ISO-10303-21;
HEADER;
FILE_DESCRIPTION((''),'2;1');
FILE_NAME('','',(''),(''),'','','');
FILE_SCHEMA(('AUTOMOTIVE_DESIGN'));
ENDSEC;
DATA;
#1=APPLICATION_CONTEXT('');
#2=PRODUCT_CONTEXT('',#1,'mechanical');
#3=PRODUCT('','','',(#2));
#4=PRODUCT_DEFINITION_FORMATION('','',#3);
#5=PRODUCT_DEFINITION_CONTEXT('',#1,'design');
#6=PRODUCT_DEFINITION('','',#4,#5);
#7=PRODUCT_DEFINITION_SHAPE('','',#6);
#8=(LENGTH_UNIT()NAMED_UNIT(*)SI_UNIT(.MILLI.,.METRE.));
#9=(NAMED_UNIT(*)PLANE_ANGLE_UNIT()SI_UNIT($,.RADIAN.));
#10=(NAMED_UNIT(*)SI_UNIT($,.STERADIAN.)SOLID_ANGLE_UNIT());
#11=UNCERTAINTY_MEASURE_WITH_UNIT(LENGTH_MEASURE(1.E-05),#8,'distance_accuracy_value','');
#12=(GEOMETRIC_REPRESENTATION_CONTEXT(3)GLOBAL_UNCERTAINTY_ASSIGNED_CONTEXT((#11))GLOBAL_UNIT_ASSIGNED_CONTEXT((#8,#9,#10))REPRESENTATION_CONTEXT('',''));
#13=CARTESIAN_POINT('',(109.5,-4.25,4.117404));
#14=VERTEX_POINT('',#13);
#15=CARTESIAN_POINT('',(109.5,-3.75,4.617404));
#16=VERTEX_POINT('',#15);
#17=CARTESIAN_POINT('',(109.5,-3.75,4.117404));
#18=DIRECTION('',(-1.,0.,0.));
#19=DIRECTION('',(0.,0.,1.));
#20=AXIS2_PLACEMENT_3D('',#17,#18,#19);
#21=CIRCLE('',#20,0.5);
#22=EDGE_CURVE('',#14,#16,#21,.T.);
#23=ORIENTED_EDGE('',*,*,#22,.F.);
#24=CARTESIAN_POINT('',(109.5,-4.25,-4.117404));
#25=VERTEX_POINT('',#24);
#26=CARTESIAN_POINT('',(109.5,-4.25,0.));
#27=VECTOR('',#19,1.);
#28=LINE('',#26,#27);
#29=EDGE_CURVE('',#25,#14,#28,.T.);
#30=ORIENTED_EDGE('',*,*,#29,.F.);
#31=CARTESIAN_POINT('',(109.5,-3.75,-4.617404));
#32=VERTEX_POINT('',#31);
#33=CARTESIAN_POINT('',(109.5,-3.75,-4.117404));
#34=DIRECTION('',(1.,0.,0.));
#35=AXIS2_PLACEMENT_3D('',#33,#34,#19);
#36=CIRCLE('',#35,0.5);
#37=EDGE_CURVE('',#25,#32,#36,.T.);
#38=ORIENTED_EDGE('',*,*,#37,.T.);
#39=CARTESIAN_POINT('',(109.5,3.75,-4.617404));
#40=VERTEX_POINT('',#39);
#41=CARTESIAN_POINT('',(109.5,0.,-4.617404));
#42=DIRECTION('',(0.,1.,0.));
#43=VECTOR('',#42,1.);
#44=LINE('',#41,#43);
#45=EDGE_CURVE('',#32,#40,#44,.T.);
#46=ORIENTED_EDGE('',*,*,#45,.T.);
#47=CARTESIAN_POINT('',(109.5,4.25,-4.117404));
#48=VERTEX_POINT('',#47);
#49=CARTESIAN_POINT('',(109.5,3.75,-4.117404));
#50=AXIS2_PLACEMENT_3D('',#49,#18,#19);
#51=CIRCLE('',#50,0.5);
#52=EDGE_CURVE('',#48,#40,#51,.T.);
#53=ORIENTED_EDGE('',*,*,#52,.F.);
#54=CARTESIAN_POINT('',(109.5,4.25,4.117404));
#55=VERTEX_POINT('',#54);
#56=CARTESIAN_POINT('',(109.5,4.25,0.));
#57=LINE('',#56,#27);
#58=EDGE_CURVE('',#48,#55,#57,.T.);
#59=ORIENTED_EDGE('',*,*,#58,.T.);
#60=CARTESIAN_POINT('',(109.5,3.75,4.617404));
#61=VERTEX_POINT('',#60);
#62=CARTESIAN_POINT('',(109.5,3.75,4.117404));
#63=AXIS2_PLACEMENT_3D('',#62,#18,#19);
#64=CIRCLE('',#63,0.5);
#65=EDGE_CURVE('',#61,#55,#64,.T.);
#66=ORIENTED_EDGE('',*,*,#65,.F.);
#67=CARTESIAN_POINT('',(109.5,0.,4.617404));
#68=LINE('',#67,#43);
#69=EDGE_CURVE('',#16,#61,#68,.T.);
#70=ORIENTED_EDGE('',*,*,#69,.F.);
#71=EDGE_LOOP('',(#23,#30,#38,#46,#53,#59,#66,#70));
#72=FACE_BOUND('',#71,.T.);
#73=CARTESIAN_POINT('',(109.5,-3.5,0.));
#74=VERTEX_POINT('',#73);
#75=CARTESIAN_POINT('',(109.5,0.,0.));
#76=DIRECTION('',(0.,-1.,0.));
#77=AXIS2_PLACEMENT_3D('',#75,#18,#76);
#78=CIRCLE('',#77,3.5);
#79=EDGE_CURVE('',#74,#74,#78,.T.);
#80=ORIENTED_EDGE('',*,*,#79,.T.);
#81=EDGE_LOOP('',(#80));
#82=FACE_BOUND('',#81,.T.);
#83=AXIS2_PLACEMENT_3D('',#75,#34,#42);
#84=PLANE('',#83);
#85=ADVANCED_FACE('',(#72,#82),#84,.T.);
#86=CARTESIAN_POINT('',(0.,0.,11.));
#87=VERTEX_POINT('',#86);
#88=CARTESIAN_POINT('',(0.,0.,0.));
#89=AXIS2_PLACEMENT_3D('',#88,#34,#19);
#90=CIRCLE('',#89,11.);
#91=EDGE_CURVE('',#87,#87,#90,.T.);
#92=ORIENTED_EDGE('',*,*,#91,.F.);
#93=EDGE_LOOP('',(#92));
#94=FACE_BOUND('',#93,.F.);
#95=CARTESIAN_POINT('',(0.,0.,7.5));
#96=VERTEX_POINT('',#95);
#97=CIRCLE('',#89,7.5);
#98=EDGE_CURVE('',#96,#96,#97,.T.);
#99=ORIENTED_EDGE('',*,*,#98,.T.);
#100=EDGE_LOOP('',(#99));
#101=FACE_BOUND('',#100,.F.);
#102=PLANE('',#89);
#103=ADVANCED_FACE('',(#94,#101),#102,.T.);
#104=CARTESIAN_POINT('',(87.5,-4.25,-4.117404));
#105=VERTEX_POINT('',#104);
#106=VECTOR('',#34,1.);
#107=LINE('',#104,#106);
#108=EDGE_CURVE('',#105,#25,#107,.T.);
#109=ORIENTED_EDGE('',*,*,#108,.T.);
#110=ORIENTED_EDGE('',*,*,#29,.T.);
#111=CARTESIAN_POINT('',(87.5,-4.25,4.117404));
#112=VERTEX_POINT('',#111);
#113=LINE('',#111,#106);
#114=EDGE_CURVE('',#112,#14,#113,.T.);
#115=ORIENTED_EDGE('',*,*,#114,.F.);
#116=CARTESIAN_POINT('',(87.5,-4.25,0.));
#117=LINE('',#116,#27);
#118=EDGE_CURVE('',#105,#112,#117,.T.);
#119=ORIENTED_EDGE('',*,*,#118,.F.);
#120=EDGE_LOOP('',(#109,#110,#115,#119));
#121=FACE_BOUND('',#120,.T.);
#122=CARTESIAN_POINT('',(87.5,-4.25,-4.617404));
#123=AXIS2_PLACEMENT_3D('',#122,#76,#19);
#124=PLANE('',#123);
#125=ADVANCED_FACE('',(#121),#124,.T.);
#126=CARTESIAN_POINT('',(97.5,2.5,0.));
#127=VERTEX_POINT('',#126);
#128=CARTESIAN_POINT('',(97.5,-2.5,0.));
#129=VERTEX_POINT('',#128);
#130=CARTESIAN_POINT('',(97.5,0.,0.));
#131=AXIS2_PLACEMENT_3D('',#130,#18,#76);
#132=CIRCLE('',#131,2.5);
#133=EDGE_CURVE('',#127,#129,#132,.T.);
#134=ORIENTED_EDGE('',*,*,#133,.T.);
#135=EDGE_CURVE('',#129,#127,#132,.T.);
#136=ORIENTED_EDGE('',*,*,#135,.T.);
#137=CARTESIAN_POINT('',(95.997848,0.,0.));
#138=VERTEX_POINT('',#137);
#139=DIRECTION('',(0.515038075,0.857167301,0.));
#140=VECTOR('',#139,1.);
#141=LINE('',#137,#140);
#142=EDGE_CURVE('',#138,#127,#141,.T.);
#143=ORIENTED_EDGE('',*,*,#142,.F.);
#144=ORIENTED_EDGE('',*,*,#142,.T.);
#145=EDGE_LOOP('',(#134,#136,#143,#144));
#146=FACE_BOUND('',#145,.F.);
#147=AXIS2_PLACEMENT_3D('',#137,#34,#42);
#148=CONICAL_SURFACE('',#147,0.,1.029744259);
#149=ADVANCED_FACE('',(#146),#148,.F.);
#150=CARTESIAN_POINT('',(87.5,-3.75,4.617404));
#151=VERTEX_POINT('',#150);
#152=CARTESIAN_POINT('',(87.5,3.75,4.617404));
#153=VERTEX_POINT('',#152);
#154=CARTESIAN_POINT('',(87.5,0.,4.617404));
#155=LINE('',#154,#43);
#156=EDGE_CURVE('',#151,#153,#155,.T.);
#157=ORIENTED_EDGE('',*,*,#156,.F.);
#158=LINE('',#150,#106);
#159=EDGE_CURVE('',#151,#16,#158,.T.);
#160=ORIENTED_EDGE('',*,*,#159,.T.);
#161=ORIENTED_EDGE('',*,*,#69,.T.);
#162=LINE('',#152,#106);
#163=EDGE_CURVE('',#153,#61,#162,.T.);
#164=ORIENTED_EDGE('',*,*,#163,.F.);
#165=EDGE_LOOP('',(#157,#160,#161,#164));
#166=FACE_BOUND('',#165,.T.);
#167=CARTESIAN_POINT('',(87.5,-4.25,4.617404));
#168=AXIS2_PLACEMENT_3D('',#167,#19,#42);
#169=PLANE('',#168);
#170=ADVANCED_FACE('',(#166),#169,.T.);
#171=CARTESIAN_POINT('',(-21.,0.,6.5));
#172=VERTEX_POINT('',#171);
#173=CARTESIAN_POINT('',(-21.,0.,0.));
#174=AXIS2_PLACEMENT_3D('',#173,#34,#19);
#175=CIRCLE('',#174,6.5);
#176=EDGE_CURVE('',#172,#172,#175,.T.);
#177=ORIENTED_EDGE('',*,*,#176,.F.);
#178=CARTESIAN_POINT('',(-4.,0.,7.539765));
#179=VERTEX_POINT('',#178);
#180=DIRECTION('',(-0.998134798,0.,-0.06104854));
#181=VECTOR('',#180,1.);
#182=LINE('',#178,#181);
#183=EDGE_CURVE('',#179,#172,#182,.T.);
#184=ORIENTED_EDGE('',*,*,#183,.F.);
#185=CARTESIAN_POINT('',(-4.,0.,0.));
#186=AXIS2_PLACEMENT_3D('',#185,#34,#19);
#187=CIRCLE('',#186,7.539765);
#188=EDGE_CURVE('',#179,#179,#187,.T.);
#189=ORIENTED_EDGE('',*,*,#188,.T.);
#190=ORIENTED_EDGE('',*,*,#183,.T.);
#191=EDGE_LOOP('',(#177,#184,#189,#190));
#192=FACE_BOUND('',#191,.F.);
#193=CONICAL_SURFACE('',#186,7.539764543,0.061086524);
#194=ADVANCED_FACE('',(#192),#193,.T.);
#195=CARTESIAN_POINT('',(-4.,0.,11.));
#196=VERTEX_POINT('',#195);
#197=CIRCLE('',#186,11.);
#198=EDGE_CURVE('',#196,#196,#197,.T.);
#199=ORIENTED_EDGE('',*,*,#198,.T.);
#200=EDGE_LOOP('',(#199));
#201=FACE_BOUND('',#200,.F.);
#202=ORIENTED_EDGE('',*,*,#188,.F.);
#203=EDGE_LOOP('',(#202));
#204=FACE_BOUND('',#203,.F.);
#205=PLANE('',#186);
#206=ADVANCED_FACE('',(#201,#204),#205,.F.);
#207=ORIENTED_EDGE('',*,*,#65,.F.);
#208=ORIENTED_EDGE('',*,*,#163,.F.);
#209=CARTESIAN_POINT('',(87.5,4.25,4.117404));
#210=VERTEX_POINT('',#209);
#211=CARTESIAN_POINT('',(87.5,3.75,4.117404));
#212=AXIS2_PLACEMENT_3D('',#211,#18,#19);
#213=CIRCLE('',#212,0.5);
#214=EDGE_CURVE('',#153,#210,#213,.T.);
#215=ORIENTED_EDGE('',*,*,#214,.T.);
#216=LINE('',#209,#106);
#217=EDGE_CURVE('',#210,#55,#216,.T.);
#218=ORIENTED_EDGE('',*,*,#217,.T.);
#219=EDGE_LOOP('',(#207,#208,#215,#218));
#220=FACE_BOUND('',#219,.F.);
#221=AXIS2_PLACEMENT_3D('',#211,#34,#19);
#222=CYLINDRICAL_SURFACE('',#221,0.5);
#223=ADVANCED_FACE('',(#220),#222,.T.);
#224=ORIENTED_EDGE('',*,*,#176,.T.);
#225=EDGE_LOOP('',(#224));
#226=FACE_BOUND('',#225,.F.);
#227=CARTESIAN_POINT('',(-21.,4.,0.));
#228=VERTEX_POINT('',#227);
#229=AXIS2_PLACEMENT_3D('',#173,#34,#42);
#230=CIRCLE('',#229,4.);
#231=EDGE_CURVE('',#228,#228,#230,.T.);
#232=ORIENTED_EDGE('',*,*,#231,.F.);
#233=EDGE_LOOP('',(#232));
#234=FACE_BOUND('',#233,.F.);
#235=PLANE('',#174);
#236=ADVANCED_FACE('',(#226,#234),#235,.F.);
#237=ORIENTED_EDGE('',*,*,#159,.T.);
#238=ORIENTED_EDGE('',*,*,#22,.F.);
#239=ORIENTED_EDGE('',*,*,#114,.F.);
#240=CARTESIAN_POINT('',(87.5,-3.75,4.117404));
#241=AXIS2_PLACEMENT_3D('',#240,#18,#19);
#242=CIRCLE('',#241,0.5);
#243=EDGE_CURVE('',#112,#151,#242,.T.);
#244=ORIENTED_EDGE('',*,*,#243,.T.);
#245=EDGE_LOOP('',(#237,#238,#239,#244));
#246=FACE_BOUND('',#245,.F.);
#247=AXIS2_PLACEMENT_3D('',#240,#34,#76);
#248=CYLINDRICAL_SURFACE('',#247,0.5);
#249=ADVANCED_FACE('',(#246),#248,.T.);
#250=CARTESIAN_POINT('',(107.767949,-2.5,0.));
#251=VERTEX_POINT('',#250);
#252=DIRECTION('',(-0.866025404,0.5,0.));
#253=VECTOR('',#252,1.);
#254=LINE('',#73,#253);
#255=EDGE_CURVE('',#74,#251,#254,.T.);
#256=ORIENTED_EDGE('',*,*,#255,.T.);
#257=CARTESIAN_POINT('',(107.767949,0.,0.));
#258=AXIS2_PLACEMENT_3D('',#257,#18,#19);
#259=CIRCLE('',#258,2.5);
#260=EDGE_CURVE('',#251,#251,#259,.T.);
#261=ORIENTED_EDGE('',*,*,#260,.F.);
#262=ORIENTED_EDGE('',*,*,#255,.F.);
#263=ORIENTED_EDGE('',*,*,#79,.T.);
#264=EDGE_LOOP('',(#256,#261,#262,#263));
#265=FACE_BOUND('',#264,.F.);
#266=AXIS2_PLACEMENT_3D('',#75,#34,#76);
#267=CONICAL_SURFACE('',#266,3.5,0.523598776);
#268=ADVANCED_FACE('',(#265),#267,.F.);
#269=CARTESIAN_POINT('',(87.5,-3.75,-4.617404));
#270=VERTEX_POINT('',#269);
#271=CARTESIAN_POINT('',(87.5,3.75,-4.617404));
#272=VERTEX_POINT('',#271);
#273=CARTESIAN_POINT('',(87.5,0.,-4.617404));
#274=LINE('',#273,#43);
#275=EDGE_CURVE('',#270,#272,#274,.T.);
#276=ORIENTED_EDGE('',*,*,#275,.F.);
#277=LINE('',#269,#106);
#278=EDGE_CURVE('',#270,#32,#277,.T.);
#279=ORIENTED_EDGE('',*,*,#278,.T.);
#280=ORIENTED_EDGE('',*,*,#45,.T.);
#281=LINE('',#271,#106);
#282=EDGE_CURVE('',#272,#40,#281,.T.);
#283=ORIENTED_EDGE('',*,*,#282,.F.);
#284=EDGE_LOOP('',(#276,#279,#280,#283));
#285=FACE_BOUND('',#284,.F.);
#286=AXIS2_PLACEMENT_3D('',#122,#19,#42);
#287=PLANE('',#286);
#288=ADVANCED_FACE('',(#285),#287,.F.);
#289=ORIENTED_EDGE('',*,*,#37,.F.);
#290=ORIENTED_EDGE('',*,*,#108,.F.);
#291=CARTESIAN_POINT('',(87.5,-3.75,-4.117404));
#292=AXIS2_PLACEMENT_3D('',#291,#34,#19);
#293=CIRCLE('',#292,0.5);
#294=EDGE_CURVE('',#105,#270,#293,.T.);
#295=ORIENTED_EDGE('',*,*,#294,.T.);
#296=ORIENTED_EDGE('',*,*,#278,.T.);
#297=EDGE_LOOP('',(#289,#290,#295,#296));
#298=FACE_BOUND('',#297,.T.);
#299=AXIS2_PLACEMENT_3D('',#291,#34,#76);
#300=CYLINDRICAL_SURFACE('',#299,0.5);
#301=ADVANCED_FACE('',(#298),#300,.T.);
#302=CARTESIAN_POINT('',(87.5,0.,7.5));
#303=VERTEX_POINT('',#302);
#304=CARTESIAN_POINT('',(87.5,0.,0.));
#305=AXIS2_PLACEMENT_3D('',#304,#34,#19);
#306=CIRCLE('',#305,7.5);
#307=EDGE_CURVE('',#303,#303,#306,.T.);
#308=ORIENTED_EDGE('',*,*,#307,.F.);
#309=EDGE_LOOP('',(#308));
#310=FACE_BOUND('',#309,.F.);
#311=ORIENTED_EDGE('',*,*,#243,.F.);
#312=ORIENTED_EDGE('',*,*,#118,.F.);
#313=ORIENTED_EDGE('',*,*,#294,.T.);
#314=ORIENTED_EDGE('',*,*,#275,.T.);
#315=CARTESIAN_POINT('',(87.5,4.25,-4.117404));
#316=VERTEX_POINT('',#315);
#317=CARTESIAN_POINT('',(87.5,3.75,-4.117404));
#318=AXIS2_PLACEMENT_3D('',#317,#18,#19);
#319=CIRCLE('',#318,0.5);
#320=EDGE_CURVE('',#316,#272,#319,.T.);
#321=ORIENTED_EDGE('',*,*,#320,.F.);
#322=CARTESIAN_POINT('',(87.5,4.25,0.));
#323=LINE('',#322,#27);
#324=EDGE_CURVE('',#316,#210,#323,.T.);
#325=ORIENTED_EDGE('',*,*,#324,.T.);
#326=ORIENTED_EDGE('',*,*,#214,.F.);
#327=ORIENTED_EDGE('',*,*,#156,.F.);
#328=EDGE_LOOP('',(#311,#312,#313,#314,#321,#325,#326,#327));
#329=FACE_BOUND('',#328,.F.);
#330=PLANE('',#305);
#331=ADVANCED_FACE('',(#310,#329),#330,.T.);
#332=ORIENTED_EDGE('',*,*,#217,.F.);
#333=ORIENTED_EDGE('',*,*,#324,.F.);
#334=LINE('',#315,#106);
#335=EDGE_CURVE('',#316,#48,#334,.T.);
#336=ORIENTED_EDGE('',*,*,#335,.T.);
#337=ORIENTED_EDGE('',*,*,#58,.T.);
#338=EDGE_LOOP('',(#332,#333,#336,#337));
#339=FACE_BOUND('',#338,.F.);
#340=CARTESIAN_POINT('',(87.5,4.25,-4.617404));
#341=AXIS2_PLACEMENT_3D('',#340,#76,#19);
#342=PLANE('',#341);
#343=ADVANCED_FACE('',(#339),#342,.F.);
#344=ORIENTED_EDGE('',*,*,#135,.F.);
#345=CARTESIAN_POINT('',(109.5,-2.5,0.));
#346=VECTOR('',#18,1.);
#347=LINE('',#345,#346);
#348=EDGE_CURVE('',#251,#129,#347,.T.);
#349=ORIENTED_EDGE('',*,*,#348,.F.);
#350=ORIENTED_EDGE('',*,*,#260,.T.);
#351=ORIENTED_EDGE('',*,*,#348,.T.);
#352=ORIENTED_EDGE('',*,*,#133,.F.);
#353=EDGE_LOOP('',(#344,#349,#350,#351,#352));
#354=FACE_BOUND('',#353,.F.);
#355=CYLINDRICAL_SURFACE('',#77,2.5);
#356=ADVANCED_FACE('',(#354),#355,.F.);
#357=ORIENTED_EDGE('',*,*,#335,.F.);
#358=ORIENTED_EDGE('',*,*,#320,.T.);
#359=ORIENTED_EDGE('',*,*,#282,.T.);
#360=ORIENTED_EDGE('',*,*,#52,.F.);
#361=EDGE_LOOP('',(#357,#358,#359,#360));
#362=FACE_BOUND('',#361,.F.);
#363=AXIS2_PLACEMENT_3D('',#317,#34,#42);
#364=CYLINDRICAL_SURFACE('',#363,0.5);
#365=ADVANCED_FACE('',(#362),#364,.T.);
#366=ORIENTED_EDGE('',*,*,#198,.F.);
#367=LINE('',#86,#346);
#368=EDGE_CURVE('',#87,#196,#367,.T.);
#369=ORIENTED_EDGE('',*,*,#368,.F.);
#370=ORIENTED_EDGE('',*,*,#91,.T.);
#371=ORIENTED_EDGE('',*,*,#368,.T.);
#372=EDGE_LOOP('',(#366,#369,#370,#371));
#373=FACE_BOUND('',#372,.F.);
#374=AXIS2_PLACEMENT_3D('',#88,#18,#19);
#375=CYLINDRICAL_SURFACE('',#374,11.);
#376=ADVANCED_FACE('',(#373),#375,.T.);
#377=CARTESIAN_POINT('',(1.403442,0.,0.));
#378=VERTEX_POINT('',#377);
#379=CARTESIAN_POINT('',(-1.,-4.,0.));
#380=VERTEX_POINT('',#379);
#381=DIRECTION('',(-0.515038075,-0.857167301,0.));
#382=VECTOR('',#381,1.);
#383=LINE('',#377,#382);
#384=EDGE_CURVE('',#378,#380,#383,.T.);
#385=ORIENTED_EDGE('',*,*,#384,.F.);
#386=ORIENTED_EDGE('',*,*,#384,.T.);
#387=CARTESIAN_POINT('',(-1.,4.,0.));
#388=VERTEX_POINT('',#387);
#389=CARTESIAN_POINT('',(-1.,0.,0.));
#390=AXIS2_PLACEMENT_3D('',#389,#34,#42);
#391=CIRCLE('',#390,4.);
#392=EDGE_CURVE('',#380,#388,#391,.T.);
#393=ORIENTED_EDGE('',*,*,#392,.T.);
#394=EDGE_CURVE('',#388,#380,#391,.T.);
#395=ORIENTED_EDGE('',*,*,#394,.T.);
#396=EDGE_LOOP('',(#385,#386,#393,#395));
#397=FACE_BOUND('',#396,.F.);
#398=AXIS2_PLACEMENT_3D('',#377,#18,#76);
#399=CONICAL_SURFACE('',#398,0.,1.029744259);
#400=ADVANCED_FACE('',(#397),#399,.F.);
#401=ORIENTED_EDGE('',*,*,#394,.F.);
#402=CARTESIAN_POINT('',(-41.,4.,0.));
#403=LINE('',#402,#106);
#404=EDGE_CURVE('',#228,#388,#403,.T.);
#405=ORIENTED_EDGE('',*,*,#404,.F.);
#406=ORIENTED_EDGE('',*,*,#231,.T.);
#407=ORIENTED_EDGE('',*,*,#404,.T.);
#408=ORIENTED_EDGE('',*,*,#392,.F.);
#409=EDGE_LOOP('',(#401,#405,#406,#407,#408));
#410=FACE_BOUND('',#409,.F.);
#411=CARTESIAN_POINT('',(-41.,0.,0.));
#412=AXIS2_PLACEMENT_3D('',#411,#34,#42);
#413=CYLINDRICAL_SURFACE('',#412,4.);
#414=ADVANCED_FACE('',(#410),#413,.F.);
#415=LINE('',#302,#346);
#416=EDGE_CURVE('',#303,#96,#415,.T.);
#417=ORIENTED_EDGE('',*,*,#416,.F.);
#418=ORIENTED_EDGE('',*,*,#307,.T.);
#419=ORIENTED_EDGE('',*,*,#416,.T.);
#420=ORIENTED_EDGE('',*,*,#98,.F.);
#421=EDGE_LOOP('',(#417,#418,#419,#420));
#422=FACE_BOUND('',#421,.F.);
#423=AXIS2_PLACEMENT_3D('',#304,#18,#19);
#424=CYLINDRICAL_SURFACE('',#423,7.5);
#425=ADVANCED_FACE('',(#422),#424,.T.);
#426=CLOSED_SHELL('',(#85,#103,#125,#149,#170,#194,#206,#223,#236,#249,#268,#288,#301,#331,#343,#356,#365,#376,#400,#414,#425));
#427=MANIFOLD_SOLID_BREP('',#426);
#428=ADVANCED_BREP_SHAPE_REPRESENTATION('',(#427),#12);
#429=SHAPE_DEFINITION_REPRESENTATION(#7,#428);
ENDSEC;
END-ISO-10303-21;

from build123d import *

# Parameters (mm, degrees)
F2_W           = 8.5
F2_H           = 9.2348072443
F3_DEPTH       = 22
F5_D           = 8
F5_DEPTH       = 20
F5_TIP         = 2.4034424761
F6_R           = 0.5
F8_D           = 5
F8_DEPTH       = 12
F8_CSINK_D     = 7
F8_CSINK_ANGLE = 60
F8_TIP         = 1.5021515476


with BuildPart() as f1:
    # F0 (on Front) → F1 (revolve)
    with BuildSketch(Plane.XZ):
        Polygon((-21, 6.5), (-21, 0), (87.5, 0), (87.5, 7.5), (0, 7.5), (0, 11), (-4, 11), (-4, 7.5397645426), align=None)
    revolve(axis=Axis((33.25, 0, 0), (1, 0, 0)))

    # F2 (on face) → F3 (join)
    with BuildSketch(Plane.YZ.offset(87.5)):
        Rectangle(F2_W, F2_H)
    extrude(amount=F3_DEPTH)

    # F5
    with Locations(Plane(origin=(-21, 0, 0), x_dir=(0, -1, 0), z_dir=(-1, 0, 0))):
        with Locations((0, 0)):
            Hole(F5_D / 2, depth=F5_DEPTH)
            with Locations((0, 0, -(F5_DEPTH + F5_TIP / 2))):  # 118° drill point
                Cone(0, F5_D / 2, F5_TIP, mode=Mode.SUBTRACT)

    # F6
    f6_edges = [f1.edges().sort_by_distance(p)[0] for p in [
        (98.5, -4.25, 4.617404),
        (98.5, -4.25, -4.617404),
        (98.5, 4.25, 4.617404),
        (98.5, 4.25, -4.617404),
    ]]
    fillet(f6_edges, radius=F6_R)

    # F8
    with Locations(Plane.YZ.offset(109.5)):
        with Locations((0, 0)):
            CounterSinkHole(F8_D / 2, F8_CSINK_D / 2, depth=F8_DEPTH, counter_sink_angle=F8_CSINK_ANGLE)
            with Locations((0, 0, -(F8_DEPTH + F8_TIP / 2))):  # 118° drill point
                Cone(0, F8_D / 2, F8_TIP, mode=Mode.SUBTRACT)


solid = f1.part
